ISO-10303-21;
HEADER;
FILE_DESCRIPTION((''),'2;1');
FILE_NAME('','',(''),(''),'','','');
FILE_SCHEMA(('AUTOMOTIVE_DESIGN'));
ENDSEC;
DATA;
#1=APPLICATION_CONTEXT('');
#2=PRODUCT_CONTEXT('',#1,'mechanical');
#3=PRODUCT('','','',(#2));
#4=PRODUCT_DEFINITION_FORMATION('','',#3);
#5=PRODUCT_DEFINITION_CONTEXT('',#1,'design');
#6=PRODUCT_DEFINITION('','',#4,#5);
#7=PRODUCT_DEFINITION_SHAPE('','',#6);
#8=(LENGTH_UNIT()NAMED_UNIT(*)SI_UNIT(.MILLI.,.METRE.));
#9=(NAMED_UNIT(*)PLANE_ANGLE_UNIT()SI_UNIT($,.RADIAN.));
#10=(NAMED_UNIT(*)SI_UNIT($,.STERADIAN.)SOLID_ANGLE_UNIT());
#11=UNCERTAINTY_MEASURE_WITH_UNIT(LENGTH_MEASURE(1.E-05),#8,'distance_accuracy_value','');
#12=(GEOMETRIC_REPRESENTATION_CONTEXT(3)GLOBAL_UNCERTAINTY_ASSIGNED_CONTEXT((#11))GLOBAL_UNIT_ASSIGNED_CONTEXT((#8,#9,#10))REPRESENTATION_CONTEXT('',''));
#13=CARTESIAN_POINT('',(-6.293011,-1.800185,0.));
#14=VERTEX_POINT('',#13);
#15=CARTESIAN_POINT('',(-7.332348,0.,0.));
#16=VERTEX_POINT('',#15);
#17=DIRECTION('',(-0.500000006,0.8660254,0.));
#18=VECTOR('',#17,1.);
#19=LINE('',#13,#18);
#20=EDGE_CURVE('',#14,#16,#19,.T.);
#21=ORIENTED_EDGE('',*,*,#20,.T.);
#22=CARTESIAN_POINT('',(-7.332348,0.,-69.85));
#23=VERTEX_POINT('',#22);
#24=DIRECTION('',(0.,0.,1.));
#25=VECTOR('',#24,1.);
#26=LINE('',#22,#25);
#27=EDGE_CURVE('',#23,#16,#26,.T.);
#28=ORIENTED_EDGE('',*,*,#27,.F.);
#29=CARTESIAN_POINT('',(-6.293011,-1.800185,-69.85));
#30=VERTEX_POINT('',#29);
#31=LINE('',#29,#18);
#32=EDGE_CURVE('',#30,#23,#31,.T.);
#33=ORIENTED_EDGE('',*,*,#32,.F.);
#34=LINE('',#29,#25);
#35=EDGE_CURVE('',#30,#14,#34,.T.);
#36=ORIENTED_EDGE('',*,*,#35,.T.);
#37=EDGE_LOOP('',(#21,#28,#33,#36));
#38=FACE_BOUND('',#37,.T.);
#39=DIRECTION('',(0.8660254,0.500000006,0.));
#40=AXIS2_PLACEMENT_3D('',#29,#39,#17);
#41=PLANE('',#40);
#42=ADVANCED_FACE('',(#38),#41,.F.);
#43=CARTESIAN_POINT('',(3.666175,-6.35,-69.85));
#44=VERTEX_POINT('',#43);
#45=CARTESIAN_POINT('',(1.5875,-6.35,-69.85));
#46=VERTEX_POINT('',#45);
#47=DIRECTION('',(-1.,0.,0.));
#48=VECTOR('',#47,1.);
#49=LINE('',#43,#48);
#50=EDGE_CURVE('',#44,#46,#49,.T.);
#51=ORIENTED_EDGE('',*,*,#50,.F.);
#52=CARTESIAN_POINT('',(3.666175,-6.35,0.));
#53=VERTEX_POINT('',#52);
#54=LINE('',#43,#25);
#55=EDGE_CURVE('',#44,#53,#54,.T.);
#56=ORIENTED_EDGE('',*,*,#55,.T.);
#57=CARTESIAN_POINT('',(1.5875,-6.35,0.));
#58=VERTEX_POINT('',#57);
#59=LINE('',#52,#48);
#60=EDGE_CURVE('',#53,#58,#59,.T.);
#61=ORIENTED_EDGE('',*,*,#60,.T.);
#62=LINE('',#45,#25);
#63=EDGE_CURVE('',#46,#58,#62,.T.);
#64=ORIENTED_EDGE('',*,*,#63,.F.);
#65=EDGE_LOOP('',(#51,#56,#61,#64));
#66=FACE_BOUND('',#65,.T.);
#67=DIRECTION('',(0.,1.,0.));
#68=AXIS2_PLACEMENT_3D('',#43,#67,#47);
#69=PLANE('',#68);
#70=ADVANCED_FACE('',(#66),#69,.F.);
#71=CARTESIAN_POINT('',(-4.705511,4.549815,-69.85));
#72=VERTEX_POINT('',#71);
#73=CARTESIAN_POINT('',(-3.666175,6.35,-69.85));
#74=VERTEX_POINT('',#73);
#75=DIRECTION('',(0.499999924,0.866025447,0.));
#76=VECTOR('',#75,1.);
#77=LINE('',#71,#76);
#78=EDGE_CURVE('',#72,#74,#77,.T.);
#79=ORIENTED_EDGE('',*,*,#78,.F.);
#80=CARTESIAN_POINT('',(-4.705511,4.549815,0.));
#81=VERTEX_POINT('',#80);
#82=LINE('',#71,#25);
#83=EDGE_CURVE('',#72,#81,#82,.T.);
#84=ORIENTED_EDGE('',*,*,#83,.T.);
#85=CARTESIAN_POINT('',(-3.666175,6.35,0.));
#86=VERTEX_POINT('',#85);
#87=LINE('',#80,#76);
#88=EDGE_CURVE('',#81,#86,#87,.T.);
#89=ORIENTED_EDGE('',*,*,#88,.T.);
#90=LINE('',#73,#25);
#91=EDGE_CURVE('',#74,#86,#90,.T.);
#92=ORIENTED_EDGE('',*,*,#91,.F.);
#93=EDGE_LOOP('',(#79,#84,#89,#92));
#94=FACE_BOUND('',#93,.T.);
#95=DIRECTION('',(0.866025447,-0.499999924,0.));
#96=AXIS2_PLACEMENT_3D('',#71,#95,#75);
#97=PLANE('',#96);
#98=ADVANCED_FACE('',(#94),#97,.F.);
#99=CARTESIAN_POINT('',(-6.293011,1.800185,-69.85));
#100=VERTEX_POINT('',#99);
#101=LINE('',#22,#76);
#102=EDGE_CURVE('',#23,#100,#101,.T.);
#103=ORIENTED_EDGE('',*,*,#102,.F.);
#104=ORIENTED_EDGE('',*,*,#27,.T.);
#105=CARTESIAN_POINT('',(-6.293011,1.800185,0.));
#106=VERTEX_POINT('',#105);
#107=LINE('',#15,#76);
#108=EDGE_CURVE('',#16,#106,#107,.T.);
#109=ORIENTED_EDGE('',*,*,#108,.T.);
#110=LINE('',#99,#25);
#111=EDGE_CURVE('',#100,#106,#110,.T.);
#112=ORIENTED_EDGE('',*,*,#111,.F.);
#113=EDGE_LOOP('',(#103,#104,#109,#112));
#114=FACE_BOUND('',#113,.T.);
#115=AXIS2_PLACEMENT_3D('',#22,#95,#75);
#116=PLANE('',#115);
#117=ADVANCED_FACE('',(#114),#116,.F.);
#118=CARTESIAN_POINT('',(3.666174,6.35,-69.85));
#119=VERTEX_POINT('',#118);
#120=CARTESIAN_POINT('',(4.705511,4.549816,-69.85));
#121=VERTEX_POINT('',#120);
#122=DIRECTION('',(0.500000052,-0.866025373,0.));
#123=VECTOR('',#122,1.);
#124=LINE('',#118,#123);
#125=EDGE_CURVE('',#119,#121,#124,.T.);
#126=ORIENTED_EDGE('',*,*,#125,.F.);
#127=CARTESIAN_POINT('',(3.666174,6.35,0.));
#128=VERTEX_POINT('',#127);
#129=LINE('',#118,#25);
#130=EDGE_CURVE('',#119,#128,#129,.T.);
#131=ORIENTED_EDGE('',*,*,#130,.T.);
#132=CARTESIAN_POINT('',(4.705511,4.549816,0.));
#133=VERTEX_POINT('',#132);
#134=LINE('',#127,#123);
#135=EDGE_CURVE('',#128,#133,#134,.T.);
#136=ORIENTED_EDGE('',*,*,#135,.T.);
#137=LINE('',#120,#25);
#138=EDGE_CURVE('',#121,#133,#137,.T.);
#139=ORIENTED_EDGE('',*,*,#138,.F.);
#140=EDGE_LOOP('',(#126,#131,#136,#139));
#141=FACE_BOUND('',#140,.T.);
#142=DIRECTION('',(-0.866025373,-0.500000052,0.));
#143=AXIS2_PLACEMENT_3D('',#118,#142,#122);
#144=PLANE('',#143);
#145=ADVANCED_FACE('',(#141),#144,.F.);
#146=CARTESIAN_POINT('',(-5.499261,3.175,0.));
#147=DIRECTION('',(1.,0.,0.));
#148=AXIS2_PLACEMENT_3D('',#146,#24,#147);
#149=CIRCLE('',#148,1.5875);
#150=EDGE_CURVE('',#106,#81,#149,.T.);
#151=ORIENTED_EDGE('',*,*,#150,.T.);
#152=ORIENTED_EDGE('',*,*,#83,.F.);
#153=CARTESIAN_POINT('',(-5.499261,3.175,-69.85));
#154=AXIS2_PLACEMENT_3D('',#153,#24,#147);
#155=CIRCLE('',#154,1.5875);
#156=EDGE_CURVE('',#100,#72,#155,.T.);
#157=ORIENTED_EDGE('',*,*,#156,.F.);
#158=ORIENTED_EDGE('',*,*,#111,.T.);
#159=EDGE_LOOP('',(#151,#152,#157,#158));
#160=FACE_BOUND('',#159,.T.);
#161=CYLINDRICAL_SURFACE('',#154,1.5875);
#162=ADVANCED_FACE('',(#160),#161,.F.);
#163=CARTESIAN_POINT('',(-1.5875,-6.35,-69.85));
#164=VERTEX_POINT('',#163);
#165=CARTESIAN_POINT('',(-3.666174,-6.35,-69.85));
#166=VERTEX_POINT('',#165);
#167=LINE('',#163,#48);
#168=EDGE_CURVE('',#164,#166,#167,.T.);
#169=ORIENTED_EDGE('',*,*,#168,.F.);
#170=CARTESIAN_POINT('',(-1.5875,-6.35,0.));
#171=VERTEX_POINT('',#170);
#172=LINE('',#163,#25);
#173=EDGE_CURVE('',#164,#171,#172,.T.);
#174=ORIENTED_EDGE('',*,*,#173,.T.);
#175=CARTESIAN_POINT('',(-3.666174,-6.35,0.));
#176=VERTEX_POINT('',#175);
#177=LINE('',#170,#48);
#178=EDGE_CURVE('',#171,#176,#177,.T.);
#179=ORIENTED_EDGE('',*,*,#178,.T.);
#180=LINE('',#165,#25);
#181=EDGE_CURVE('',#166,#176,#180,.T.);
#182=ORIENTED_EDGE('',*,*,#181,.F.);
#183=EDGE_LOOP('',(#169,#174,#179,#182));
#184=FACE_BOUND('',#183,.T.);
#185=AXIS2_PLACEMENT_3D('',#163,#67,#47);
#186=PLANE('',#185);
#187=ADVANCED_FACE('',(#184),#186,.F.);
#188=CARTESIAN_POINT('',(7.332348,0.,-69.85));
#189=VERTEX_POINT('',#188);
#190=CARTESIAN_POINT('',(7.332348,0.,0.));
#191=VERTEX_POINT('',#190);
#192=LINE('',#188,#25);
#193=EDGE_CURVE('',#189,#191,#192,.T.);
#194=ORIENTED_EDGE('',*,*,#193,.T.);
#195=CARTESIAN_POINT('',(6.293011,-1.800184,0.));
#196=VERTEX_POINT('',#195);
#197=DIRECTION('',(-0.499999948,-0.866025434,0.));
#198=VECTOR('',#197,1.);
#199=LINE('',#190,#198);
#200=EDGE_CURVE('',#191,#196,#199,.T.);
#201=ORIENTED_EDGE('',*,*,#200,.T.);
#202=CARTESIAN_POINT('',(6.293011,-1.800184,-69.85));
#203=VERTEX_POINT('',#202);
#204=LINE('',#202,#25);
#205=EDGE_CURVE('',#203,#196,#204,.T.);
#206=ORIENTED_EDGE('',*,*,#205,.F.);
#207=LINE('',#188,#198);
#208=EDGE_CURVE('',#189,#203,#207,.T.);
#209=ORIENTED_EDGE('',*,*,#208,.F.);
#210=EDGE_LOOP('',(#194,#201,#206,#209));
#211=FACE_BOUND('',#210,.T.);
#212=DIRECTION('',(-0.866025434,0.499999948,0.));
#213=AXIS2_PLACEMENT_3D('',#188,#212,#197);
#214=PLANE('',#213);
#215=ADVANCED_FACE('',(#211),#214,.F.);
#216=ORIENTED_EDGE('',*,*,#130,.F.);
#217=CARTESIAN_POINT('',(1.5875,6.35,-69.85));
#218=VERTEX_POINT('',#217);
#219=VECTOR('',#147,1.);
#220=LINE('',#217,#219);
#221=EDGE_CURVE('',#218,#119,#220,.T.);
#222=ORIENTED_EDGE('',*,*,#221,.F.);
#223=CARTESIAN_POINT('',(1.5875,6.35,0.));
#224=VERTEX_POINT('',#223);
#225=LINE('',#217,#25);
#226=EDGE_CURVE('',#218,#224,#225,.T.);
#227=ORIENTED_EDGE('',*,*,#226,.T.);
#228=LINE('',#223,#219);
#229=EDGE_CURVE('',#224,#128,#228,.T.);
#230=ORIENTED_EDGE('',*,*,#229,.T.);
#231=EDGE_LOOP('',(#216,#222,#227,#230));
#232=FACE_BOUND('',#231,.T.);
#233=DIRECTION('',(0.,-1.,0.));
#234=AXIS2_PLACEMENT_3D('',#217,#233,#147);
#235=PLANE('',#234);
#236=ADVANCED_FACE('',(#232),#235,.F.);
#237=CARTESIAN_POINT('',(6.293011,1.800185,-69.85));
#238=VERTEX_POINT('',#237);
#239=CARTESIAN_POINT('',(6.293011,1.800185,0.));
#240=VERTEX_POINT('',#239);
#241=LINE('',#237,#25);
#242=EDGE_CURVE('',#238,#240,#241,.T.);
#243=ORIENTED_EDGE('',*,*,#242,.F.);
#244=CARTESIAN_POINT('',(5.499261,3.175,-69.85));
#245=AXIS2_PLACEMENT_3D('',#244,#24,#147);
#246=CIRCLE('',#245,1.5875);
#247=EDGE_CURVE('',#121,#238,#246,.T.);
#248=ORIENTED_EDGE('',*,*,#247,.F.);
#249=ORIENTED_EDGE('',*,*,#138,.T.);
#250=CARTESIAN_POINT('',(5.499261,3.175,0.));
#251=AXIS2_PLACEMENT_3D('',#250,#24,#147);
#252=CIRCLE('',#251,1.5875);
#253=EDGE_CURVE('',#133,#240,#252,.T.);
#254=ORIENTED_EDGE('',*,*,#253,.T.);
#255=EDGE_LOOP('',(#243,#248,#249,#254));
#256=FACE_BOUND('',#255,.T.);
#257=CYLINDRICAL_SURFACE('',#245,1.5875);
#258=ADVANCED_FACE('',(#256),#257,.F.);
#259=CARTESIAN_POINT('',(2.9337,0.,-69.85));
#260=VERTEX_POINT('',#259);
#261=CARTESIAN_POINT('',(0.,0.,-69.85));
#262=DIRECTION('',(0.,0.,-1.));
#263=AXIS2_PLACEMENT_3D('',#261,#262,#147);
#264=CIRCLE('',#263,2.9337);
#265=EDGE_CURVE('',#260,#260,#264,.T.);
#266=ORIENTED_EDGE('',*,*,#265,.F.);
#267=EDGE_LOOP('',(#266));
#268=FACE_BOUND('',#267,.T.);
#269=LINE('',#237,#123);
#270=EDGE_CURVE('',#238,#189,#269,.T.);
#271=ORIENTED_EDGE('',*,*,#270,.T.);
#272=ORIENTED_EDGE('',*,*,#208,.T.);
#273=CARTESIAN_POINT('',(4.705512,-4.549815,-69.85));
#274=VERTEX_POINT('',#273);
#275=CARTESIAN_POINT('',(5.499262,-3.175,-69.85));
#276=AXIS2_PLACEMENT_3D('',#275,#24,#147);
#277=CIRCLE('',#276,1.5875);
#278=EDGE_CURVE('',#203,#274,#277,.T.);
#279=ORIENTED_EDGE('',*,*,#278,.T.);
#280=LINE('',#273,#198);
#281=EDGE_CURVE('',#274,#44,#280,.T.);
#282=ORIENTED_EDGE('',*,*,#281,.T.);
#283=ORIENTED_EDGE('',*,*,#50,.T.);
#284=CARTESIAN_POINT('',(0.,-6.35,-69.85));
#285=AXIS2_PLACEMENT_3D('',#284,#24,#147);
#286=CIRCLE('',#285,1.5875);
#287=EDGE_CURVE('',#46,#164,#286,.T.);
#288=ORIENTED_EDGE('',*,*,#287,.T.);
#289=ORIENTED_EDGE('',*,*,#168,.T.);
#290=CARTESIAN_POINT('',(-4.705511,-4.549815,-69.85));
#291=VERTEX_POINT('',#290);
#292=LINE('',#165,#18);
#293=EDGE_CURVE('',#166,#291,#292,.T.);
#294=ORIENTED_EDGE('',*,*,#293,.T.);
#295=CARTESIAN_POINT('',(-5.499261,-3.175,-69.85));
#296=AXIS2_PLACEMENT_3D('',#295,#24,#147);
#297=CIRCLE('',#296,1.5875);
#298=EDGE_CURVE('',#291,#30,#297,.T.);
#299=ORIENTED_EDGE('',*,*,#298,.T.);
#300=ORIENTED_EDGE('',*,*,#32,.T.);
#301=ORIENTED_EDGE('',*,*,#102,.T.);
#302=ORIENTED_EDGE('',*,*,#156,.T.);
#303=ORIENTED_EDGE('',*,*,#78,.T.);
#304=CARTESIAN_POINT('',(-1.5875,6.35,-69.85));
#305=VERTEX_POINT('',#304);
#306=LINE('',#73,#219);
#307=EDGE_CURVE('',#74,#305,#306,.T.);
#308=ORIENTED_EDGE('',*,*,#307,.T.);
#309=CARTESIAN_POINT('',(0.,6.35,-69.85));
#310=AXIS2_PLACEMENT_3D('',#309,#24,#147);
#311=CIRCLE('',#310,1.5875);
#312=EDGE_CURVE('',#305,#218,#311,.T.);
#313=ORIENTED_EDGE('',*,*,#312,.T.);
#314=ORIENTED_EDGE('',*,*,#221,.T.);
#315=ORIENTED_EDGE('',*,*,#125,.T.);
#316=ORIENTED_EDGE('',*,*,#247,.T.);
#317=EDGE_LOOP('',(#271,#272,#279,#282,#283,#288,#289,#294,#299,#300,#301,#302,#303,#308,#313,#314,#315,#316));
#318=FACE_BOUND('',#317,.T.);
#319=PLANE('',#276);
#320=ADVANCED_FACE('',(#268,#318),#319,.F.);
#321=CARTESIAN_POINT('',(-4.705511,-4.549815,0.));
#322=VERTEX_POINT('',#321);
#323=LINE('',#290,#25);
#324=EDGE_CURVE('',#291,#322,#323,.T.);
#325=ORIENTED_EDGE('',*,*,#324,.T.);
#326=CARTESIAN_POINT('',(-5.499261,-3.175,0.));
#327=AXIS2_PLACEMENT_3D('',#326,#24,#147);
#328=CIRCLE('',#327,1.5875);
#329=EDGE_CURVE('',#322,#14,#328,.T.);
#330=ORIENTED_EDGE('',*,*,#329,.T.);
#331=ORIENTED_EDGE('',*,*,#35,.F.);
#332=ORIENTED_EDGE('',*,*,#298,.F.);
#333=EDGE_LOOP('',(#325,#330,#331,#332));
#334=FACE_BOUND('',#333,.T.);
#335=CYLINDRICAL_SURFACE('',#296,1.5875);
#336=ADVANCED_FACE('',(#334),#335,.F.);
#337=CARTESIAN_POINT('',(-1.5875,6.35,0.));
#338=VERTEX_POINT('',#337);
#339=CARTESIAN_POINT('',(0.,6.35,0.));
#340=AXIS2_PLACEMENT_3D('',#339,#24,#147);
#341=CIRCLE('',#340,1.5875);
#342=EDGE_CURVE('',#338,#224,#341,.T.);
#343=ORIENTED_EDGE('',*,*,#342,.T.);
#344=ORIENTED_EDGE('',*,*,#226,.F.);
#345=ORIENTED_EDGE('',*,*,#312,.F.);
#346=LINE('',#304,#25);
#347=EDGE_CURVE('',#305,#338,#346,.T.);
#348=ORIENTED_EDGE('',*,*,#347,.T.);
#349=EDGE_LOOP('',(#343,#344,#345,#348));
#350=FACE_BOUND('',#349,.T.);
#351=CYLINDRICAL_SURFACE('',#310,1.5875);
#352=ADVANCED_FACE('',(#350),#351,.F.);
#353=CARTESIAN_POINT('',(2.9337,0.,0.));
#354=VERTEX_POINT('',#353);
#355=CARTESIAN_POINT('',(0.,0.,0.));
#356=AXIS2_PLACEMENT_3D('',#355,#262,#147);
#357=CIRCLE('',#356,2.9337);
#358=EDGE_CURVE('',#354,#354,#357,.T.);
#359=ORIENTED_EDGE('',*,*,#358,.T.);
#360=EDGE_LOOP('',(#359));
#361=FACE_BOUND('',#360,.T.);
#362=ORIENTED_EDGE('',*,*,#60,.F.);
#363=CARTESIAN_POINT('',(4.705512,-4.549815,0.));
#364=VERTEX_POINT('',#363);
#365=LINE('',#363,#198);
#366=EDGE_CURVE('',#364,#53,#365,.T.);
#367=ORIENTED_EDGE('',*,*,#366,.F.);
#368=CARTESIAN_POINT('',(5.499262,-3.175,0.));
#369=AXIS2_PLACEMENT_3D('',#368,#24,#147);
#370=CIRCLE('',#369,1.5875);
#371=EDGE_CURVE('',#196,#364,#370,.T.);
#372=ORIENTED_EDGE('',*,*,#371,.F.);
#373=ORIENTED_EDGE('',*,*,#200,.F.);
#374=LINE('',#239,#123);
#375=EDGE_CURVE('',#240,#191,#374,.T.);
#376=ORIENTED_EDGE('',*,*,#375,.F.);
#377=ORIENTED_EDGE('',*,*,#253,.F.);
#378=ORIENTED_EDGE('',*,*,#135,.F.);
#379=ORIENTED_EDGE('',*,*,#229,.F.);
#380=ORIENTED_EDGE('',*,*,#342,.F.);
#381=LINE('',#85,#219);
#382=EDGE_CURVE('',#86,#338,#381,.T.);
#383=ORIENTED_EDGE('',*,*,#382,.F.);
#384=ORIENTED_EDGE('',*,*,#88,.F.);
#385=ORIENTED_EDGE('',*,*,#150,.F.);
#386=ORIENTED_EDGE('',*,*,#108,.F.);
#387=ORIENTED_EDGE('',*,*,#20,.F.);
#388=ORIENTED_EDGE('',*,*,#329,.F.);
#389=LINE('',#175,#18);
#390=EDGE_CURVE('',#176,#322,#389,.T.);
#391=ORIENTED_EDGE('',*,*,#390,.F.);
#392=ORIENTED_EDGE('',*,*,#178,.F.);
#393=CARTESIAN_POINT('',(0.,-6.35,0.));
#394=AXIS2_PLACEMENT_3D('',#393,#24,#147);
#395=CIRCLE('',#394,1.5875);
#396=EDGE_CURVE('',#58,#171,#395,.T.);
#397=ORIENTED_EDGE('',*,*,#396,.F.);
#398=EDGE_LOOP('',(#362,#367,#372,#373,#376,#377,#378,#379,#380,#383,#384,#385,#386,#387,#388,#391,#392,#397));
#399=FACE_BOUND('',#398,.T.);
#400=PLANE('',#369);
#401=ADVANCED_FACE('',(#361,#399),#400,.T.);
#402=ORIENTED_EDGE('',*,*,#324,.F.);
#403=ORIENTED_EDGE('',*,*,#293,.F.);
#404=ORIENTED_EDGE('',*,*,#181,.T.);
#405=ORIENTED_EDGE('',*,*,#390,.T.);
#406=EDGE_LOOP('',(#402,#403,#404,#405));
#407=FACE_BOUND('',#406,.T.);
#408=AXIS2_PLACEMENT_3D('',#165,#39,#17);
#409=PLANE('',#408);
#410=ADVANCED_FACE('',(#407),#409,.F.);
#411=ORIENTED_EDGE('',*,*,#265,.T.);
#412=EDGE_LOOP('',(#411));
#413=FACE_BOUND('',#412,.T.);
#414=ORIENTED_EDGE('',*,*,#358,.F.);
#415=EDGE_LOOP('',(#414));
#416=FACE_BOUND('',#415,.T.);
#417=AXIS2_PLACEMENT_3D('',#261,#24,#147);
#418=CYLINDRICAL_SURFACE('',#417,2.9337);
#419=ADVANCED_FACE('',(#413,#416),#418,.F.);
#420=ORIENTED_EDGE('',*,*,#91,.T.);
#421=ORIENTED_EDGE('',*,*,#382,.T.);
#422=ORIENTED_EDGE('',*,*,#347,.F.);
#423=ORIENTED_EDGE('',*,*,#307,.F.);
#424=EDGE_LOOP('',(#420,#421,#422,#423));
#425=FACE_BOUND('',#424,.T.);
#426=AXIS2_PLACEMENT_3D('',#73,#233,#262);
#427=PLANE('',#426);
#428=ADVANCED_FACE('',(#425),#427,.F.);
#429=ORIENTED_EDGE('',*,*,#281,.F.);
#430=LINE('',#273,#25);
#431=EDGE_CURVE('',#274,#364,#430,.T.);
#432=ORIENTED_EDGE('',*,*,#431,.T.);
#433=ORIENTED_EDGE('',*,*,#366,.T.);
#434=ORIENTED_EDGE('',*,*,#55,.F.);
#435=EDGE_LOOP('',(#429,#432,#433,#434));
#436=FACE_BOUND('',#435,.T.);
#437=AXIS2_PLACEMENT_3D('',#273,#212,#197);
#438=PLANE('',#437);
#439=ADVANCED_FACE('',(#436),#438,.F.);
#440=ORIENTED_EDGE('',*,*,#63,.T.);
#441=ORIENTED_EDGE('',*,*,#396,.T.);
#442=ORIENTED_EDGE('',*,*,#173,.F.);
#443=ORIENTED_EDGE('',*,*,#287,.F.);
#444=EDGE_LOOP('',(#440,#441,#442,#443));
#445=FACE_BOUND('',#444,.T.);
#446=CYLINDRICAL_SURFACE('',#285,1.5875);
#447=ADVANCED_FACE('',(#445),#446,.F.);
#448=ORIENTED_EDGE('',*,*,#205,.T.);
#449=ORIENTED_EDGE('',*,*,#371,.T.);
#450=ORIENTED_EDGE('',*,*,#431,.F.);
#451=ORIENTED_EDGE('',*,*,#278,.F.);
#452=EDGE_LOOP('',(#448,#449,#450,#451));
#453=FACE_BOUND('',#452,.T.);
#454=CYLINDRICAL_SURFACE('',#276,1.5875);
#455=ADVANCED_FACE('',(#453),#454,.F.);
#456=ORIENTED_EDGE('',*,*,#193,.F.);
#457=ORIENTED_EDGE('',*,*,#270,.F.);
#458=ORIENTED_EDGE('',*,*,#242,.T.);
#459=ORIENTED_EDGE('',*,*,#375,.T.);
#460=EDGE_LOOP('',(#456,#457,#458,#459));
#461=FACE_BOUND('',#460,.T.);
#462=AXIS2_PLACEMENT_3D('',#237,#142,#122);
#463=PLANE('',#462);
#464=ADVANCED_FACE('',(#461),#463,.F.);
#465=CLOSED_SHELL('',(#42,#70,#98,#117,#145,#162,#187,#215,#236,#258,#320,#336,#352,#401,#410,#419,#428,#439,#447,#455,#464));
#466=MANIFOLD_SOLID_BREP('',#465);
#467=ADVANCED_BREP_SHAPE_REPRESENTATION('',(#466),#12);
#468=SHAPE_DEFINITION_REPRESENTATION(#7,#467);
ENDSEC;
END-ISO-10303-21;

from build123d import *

# Parameters (mm, degrees)
SKETCH1_R           = 2.9337
BOSS_EXTRUDE1_DEPTH = 69.85


with BuildPart() as part:
    # Sketch1 → Boss-Extrude1 (new body)
    with BuildSketch(Plane(origin=(0, 0, 0), x_dir=(-1, 0, 0), z_dir=(0, 0, -1))):
        with BuildLine():
            Line((-4.70551159, -4.549815043), (-3.666174521, -6.349999904))
            Line((-3.666174521, -6.349999904), (-1.587500385, -6.349999904))
            ThreePointArc((-1.587500385, -6.349999904), (-3.85e-07, -4.762499904), (1.587499615, -6.349999904))
            Line((1.587499615, -6.349999904), (3.666173825, -6.349999904))
            Line((3.666173825, -6.349999904), (4.705510942, -4.54981524))
            ThreePointArc((4.705510942, -4.54981524), (4.124445629, -2.381249907), (6.293010962, -1.800184594))
            Line((6.293010962, -1.800184594), (7.332348079, 7e-08))
            Line((7.332348079, 7e-08), (6.293011217, 1.800184685))
            ThreePointArc((6.293011217, 1.800184685), (4.124445939, 2.381250203), (4.705511457, 4.549815481))
            Line((4.705511457, 4.549815481), (3.666174521, 6.350000222))
            Line((3.666174521, 6.350000222), (1.587500385, 6.350000222))
            ThreePointArc((1.587500385, 6.350000222), (3.85e-07, 4.762500222), (-1.587499615, 6.350000222))
            Line((-1.587499615, 6.350000222), (-3.666173825, 6.350000222))
            Line((-3.666173825, 6.350000222), (-4.705511038, 4.549815614))
            ThreePointArc((-4.705511038, 4.549815614), (-4.124445841, 2.38125025), (-6.293011205, 1.800185053))
            Line((-6.293011205, 1.800185053), (-7.332348419, 4.44e-07))
            Line((-7.332348419, 4.44e-07), (-6.293011423, -1.80018429))
            ThreePointArc((-6.293011423, -1.80018429), (-4.12444613, -2.38124975), (-4.70551159, -4.549815043))
        make_face()
        Circle(SKETCH1_R, mode=Mode.SUBTRACT)
    extrude(amount=BOSS_EXTRUDE1_DEPTH)


solid = part.part
